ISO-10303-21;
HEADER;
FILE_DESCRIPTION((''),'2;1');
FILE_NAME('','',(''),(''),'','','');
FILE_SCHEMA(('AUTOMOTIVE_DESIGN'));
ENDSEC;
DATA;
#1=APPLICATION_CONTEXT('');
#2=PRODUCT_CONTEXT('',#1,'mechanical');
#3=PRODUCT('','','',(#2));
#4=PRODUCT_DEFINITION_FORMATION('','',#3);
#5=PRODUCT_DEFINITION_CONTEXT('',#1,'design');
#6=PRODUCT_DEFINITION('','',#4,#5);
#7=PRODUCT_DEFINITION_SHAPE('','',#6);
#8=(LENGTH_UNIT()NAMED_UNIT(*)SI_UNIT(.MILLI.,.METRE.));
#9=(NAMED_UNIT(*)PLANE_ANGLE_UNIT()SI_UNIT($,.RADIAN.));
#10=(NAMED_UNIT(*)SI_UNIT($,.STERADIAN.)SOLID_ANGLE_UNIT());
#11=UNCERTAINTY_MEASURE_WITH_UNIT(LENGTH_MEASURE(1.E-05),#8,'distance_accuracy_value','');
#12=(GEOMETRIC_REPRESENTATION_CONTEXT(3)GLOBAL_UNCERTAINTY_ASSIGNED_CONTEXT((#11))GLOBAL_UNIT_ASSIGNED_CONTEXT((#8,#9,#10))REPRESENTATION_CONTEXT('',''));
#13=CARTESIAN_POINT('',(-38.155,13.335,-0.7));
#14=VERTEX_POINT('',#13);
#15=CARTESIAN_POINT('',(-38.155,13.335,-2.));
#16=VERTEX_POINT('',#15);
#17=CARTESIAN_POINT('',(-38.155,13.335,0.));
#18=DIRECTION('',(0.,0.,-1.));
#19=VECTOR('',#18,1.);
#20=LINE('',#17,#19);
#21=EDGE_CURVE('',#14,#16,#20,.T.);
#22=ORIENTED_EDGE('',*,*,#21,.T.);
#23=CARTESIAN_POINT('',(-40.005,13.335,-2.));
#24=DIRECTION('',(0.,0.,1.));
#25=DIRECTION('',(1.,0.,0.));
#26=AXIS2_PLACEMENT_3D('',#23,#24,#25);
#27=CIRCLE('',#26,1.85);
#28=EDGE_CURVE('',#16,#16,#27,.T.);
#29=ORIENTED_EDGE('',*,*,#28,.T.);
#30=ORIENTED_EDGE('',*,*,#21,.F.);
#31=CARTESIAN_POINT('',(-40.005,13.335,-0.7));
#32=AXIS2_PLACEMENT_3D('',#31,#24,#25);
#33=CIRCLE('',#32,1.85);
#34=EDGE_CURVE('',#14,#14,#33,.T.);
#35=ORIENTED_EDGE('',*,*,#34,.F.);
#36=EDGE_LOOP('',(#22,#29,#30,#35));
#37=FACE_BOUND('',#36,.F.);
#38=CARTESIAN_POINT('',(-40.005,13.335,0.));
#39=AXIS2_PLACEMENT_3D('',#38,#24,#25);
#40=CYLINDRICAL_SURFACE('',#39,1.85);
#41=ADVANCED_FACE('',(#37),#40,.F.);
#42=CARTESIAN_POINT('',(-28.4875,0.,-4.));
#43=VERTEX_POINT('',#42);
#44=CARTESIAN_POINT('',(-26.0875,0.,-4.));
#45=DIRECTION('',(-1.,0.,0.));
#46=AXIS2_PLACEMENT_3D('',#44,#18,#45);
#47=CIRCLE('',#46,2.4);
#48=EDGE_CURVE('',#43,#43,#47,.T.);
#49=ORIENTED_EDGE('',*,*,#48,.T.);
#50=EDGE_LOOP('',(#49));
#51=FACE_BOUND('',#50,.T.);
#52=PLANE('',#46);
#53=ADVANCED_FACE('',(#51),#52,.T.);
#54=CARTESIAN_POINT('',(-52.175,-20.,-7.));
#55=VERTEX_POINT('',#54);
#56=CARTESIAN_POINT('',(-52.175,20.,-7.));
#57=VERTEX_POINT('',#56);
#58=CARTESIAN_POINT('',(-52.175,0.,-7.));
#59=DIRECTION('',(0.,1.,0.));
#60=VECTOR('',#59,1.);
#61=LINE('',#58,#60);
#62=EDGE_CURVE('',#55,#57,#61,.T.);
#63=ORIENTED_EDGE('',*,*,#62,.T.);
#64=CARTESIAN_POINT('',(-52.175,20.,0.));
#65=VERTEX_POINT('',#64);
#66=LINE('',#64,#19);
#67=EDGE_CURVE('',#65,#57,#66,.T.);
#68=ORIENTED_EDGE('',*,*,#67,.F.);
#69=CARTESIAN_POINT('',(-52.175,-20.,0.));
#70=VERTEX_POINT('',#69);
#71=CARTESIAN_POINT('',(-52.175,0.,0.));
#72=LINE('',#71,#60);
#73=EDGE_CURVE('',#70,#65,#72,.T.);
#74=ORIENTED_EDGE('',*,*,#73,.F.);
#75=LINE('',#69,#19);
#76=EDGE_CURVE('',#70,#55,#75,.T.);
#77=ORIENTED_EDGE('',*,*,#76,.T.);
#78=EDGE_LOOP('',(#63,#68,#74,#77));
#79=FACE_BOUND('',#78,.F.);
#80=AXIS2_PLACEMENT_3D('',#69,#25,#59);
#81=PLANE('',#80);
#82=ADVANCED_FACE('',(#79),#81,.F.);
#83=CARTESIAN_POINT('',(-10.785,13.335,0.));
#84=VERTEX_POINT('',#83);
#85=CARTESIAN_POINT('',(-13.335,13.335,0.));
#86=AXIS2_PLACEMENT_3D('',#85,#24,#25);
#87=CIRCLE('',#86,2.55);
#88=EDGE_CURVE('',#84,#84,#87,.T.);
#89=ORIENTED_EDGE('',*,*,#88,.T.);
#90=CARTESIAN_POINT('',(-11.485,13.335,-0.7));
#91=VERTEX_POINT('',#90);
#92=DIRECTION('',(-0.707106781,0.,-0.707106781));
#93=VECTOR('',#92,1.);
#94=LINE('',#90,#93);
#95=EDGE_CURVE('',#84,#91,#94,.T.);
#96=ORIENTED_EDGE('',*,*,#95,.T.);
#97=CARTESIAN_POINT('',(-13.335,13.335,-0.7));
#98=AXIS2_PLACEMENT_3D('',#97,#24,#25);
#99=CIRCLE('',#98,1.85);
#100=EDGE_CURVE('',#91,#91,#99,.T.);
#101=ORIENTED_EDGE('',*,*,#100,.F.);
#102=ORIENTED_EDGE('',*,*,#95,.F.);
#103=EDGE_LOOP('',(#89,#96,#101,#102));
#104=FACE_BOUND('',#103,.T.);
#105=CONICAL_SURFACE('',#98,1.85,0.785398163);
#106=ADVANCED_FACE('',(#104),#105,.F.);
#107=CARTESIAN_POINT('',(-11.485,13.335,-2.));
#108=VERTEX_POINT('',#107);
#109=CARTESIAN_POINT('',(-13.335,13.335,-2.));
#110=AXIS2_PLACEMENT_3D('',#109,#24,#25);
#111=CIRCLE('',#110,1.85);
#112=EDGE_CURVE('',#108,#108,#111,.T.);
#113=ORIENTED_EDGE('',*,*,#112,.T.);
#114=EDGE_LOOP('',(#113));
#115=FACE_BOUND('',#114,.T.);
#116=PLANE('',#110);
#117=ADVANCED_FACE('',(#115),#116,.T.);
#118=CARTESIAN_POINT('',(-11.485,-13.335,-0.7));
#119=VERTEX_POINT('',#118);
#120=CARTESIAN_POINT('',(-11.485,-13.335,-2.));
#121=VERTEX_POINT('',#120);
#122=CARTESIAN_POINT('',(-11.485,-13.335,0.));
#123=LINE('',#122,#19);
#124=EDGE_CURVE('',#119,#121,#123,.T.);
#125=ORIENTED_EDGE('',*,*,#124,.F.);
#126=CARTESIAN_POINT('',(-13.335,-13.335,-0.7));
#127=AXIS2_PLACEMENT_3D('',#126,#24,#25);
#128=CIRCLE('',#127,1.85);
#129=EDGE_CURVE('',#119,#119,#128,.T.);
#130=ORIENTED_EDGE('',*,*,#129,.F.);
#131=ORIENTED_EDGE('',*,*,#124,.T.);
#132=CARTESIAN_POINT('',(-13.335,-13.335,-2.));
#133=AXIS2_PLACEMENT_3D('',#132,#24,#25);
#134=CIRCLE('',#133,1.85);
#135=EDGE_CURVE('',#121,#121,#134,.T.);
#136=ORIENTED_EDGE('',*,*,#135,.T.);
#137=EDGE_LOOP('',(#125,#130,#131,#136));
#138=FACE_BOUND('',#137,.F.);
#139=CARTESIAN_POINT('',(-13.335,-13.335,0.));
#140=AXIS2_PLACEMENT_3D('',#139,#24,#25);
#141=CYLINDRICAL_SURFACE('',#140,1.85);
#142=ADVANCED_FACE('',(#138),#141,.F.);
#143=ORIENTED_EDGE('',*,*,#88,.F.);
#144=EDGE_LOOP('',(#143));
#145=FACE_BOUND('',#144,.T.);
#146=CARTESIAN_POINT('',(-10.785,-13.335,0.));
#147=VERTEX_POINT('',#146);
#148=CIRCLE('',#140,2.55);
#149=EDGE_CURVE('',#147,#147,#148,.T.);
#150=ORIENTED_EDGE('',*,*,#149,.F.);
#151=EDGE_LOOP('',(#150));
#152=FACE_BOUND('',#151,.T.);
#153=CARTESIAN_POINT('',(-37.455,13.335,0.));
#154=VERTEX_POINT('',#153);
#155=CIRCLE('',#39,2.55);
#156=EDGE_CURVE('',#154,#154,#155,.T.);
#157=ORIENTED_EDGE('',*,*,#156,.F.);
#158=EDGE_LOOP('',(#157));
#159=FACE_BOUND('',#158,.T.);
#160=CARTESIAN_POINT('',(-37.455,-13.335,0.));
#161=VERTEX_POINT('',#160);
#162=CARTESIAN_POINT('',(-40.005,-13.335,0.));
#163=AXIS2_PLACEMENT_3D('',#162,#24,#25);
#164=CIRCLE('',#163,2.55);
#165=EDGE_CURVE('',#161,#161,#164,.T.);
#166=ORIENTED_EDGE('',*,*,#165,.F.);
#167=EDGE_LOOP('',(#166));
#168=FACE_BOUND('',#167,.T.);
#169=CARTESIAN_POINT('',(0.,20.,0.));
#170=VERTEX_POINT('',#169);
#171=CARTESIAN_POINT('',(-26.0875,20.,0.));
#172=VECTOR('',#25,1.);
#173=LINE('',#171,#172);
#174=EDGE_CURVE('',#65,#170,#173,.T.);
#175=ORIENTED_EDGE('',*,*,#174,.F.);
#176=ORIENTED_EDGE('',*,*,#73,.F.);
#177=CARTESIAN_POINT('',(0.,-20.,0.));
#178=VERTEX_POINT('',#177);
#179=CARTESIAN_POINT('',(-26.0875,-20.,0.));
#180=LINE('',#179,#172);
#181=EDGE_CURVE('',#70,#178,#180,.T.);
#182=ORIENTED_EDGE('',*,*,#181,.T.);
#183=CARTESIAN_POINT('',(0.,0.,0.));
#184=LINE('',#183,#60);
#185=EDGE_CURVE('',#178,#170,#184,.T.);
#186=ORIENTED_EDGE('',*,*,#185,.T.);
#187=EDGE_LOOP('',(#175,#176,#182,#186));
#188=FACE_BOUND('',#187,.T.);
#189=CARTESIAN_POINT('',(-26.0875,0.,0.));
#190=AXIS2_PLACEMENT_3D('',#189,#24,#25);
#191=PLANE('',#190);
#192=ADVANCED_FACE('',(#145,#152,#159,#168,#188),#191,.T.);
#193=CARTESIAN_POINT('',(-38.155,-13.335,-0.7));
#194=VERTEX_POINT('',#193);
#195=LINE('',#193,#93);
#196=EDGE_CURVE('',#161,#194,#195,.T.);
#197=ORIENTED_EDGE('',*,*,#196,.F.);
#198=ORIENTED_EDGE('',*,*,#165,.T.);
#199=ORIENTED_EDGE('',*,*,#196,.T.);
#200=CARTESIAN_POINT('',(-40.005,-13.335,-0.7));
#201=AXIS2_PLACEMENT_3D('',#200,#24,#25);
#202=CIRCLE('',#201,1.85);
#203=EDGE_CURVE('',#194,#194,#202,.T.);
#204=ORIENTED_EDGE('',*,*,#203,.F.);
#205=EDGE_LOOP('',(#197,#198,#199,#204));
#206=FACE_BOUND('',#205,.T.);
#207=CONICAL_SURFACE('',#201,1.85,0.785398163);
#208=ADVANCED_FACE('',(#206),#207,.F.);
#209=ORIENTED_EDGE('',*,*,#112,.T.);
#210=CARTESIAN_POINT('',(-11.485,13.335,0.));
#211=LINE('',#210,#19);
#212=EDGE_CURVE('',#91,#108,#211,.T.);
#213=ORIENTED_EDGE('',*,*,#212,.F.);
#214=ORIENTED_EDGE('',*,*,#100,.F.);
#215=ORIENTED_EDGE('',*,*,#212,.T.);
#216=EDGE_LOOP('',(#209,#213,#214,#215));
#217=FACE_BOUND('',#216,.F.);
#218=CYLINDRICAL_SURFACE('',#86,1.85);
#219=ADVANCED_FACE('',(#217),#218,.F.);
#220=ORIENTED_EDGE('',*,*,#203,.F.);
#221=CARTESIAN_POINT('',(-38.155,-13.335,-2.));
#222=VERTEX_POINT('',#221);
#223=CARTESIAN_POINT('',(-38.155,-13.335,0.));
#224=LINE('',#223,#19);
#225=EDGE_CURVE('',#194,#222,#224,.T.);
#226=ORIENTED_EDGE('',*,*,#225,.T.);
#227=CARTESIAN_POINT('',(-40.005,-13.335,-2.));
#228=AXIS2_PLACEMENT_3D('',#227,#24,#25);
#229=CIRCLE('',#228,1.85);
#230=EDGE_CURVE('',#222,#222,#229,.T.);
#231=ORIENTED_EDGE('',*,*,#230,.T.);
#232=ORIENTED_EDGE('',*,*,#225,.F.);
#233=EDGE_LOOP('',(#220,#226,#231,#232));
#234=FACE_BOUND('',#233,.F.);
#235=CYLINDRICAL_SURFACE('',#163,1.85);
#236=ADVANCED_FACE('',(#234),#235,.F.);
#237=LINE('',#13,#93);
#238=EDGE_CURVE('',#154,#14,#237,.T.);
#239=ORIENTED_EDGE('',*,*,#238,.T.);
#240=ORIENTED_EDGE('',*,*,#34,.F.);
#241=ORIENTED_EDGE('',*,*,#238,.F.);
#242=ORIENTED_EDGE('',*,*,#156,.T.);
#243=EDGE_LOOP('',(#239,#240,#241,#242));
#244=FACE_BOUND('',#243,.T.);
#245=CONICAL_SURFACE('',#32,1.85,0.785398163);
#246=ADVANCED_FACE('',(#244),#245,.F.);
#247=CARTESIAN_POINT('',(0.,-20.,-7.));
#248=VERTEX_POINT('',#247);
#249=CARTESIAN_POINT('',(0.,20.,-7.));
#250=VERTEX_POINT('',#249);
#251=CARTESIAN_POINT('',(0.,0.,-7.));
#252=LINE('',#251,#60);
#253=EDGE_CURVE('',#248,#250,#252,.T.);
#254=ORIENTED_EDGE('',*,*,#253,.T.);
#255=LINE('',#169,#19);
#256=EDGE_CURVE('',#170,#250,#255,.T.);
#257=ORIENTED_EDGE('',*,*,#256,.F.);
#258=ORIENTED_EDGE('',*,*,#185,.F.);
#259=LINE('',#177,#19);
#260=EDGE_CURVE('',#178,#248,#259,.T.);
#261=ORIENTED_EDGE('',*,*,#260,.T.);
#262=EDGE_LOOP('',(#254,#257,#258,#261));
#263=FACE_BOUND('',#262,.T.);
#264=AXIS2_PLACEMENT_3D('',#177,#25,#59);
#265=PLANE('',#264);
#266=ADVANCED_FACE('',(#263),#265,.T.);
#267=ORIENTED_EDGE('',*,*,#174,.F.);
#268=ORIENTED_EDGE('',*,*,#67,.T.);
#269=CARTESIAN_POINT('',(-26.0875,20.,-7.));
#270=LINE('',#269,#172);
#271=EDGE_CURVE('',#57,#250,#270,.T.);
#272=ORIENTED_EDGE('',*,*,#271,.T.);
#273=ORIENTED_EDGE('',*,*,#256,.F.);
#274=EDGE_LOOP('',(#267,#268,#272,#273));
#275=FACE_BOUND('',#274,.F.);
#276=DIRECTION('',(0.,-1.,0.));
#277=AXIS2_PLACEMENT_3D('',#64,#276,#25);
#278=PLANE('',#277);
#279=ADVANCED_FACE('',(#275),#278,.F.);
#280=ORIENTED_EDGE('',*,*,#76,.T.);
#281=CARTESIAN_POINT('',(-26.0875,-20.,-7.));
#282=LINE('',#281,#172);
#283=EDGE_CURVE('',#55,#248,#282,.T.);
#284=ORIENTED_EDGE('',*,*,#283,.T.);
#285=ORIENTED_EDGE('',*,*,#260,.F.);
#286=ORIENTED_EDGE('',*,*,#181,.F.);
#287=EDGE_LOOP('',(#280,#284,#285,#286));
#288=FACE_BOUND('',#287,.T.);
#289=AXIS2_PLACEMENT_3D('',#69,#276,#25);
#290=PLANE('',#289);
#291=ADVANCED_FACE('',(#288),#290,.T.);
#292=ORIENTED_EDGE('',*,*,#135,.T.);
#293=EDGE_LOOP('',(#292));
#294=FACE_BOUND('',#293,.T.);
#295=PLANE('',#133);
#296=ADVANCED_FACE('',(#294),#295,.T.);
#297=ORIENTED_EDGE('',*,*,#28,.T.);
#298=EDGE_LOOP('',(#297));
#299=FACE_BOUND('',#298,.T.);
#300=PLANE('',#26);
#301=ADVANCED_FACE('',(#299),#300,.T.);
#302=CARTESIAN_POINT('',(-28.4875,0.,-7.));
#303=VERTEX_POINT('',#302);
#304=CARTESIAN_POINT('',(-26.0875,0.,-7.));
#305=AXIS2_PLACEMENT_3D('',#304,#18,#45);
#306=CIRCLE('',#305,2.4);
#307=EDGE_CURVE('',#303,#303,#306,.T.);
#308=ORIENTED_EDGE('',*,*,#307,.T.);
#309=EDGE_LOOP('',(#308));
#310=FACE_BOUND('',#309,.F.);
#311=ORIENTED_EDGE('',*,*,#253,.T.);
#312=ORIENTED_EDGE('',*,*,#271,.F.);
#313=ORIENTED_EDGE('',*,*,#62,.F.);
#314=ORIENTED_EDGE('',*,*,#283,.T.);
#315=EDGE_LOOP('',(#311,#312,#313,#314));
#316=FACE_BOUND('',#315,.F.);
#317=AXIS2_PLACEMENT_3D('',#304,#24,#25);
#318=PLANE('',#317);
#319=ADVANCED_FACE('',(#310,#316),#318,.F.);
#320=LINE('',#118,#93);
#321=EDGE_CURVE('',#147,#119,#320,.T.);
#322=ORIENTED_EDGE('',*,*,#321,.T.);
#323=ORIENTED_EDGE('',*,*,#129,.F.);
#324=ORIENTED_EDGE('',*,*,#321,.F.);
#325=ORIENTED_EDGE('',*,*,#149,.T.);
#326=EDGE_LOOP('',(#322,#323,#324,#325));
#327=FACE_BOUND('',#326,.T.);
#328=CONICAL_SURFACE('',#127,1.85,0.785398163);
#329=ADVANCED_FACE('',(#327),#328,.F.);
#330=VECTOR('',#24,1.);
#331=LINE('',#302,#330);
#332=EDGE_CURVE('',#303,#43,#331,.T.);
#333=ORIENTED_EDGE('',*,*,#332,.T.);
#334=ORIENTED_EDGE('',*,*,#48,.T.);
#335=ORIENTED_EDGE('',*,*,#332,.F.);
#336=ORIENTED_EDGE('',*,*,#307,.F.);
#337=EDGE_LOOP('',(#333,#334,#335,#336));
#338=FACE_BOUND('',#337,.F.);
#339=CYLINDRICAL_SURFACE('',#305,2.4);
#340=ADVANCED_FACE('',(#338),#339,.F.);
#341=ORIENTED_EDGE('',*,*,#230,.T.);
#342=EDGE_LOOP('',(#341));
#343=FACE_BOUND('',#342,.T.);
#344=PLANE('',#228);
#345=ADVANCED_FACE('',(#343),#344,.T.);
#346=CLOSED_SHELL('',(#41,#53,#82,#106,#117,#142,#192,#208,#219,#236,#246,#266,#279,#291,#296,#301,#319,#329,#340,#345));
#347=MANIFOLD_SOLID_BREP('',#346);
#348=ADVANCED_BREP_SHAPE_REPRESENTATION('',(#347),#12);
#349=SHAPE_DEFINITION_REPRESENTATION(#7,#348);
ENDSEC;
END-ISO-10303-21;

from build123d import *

# Parameters (mm, degrees)
SKETCH_W        = 52.175
SKETCH_H        = 40
PAD_DEPTH       = 7
SKETCH001_R     = 1.85
POCKET_DEPTH    = 2
SKETCH002_R     = 2.4
POCKET001_DEPTH = 3
CHAMFER_SIZE    = 0.7


with BuildPart() as part:
    # Sketch → Pad (new body)
    with BuildSketch(Plane.XY):
        with Locations((-26.0875, 0)):
            Rectangle(SKETCH_W, SKETCH_H)
    extrude(amount=-PAD_DEPTH)

    # Sketch001 → Pocket (cut)
    with BuildSketch(Plane.XY):
        with Locations((-40.005, 13.335)):
            Circle(SKETCH001_R)
        with Locations((-13.335, 13.335)):
            Circle(SKETCH001_R)
        with Locations((-40.005, -13.335)):
            Circle(SKETCH001_R)
        with Locations((-13.335, -13.335)):
            Circle(SKETCH001_R)
    extrude(amount=-POCKET_DEPTH, mode=Mode.SUBTRACT)

    # Sketch002 (on DatumPlane) → Pocket001 (cut)
    with BuildSketch(Plane(origin=(0, 0, -7), x_dir=(-1, 0, 0), z_dir=(0, 0, -1))):
        with Locations((26.0875, 0)):
            Circle(SKETCH002_R)
    extrude(amount=-POCKET001_DEPTH, mode=Mode.SUBTRACT)

    # Chamfer
    chamfer_edges = [part.edges().sort_by_distance(p)[0] for p in [
        (-15.185, -13.335, 0),
        (-41.855, -13.335, 0),
        (-41.855, 13.335, 0),
        (-15.185, 13.335, 0),
    ]]
    chamfer(chamfer_edges, length=CHAMFER_SIZE)


solid = part.part
